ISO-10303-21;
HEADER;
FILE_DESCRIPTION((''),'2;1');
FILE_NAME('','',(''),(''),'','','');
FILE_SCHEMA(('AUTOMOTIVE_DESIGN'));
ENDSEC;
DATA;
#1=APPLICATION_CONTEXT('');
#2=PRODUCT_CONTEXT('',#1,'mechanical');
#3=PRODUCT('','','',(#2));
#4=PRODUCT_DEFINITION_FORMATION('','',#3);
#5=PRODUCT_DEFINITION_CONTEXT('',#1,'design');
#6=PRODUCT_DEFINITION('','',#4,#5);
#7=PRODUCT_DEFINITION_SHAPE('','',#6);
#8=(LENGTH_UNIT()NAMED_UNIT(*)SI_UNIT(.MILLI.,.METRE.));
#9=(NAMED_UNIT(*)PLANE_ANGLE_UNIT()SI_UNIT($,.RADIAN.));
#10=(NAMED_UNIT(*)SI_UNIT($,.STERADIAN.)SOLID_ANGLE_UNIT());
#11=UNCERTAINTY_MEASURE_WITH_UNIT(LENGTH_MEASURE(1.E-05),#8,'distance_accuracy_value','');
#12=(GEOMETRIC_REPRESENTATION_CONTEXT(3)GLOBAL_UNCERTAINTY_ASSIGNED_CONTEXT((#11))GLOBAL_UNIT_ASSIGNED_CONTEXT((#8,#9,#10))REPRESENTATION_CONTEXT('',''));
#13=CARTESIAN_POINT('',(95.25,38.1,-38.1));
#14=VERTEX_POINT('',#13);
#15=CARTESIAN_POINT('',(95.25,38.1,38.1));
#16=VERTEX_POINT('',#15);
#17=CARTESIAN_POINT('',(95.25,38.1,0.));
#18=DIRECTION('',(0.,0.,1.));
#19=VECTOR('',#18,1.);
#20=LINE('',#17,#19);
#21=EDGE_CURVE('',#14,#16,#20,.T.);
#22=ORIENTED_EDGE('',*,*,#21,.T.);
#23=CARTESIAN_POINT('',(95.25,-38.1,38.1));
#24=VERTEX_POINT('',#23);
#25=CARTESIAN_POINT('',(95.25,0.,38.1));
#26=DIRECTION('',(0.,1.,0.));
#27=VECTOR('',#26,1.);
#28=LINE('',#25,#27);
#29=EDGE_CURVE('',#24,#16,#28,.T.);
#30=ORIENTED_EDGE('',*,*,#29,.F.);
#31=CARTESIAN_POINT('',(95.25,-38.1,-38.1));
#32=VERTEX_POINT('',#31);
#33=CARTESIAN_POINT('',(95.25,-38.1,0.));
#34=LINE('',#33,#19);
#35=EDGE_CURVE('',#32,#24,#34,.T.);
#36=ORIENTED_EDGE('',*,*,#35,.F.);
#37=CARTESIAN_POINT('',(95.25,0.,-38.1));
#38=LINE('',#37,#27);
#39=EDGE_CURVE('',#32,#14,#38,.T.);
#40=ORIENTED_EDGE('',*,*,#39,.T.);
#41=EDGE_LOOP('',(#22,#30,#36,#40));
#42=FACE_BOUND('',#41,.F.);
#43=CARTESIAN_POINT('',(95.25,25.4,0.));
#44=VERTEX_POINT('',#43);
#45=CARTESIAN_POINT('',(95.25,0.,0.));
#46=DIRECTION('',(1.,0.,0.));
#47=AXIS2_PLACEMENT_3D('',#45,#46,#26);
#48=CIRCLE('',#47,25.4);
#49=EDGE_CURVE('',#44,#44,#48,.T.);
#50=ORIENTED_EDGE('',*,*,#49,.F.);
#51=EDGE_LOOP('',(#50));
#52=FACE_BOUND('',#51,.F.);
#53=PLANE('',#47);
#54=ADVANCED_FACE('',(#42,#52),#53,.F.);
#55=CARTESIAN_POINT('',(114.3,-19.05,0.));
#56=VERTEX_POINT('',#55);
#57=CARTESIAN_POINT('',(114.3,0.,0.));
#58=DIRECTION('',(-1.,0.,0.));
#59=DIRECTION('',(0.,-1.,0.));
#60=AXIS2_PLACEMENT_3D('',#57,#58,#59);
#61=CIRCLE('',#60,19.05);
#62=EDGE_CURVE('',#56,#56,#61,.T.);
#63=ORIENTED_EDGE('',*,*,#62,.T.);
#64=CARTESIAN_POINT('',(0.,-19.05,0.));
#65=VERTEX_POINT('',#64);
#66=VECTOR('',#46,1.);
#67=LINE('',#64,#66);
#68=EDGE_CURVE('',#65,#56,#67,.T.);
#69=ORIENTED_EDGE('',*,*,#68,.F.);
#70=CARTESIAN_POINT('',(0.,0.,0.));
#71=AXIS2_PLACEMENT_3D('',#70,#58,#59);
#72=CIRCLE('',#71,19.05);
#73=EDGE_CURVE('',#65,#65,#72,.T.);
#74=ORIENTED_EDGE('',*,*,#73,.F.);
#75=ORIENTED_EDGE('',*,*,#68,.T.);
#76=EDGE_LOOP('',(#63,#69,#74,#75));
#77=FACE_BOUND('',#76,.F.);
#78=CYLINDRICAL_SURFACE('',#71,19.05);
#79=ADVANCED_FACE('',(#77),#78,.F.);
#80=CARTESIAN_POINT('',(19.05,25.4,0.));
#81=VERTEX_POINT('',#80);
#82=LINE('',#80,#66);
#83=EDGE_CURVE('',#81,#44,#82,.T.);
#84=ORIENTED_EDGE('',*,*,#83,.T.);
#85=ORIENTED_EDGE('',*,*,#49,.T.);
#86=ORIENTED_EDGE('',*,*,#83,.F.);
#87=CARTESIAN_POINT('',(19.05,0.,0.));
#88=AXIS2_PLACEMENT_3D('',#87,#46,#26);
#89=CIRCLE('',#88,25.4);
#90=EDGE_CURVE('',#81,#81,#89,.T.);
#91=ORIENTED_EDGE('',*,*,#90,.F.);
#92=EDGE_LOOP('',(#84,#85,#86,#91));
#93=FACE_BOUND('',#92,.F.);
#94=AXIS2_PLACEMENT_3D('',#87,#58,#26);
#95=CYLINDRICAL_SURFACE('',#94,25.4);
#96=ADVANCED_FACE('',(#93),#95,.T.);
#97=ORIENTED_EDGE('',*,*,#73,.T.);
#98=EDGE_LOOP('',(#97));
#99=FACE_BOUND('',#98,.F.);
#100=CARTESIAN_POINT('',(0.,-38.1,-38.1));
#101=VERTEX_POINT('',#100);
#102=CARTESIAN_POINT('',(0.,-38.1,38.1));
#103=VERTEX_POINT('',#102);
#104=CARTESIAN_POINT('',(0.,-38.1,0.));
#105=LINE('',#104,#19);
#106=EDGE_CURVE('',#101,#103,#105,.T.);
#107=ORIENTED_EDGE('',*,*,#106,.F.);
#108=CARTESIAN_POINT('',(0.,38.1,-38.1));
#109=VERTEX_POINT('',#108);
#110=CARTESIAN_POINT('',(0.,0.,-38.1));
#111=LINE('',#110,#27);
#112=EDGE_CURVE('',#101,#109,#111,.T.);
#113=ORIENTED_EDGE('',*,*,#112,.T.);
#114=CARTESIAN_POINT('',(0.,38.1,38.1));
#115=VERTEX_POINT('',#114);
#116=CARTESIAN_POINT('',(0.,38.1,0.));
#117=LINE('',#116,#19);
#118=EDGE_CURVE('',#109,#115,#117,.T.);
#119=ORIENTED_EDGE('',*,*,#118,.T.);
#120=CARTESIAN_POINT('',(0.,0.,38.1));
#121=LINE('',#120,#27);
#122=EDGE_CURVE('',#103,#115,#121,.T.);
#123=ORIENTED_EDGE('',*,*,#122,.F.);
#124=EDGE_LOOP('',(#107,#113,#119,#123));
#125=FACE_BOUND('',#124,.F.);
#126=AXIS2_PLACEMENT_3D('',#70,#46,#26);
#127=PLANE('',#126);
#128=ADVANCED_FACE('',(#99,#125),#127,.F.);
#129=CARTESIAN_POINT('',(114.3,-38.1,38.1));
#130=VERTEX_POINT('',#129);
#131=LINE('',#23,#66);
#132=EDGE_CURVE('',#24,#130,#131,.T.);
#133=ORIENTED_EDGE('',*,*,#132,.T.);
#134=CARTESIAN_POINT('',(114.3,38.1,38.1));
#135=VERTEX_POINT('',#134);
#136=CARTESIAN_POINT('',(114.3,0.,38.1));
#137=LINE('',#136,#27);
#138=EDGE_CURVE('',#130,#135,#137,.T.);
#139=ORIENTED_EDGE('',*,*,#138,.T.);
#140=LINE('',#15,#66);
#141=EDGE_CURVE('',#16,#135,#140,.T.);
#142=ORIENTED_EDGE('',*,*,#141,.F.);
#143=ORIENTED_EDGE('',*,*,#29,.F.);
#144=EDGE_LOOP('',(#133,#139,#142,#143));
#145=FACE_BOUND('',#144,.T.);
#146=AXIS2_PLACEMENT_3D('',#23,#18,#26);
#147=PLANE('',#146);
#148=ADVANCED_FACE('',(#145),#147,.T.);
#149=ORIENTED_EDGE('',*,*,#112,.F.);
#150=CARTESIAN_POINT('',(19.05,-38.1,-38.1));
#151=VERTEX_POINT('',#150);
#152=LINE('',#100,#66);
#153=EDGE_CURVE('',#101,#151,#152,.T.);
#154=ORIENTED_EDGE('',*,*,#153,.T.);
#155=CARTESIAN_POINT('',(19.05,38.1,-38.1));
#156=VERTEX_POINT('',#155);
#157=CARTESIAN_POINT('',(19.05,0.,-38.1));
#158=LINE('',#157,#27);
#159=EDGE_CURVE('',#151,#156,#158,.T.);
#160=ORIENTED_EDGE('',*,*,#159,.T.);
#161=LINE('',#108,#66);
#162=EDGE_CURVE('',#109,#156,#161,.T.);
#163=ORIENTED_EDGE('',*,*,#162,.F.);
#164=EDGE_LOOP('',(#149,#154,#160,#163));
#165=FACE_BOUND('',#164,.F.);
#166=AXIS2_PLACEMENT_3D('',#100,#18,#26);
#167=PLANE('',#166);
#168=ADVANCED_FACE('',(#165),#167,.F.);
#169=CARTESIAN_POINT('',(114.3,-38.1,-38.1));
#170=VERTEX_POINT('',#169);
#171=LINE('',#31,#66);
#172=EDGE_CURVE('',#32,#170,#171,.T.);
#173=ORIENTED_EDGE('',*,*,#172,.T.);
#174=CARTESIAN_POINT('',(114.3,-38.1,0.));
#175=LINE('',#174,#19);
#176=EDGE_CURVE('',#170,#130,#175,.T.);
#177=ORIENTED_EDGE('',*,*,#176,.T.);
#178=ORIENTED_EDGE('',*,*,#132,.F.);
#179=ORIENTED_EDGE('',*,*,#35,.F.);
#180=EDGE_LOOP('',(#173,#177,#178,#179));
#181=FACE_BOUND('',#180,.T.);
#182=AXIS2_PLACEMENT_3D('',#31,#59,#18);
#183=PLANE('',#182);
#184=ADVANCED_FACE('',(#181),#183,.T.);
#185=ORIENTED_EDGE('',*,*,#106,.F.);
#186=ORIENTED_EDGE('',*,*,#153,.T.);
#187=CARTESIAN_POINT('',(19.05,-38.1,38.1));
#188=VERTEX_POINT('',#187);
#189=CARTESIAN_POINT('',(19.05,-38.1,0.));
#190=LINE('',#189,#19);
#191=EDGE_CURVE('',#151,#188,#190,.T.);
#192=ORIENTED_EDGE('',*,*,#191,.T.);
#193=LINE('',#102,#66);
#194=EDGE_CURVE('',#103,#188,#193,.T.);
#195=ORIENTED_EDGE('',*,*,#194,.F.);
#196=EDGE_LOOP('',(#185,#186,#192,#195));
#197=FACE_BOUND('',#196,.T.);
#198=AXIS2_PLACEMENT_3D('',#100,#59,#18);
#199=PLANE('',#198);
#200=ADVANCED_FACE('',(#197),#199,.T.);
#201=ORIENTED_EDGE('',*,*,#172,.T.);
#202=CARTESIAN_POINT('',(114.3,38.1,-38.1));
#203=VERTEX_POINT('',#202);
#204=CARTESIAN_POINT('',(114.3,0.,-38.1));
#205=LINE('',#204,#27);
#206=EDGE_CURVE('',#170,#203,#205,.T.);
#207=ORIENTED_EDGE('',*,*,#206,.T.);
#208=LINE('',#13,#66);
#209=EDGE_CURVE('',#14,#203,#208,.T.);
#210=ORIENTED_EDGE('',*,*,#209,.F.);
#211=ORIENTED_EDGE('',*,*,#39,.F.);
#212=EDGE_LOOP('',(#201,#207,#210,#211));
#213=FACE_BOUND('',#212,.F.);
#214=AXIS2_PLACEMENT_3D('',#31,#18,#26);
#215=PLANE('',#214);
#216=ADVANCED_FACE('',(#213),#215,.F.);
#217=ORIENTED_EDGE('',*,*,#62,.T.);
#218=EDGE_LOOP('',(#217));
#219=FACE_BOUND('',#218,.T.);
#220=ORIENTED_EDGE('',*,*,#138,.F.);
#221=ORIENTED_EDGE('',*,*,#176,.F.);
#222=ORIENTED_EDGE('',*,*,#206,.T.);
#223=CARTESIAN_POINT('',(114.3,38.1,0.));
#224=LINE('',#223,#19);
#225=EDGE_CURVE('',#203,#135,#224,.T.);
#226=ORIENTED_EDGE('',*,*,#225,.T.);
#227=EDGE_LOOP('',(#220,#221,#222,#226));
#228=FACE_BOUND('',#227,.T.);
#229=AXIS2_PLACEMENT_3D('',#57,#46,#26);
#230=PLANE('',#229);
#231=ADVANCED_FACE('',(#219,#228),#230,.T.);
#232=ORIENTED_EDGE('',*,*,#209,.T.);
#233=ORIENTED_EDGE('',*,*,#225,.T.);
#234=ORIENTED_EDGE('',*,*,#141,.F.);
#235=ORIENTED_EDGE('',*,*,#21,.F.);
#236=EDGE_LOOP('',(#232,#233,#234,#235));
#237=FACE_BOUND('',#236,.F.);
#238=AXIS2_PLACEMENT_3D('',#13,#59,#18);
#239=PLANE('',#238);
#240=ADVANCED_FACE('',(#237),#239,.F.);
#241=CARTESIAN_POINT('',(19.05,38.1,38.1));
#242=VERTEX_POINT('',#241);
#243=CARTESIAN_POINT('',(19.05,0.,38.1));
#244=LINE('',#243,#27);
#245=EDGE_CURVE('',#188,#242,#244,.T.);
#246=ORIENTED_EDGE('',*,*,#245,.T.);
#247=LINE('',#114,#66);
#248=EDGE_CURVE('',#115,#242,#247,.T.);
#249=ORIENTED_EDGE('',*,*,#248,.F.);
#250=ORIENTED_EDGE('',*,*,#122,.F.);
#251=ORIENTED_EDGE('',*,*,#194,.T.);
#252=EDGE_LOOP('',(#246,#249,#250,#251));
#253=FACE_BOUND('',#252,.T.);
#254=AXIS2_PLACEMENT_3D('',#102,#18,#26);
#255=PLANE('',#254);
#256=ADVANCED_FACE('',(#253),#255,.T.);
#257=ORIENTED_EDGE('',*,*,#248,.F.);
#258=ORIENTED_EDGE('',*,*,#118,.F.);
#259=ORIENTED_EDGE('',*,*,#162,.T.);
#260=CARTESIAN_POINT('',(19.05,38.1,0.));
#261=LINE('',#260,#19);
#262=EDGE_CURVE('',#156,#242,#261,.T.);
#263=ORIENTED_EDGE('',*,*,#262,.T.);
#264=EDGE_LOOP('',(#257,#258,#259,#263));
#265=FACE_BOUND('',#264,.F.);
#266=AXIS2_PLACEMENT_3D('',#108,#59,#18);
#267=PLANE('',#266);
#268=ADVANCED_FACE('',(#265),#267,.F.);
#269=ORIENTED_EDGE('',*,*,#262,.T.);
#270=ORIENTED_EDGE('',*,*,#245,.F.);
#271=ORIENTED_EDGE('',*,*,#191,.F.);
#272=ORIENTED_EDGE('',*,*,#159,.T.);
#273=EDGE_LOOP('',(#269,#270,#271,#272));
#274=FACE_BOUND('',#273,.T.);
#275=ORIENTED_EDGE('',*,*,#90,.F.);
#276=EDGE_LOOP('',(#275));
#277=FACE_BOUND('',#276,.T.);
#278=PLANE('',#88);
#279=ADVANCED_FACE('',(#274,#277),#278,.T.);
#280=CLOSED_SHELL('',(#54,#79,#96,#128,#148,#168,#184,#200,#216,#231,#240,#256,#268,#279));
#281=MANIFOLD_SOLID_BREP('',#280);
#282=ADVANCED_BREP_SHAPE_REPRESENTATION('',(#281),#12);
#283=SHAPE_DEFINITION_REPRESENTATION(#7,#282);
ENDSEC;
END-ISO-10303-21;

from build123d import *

# Parameters (mm, degrees)
F0_W     = 76.2
F0_H     = 76.2
F1_DEPTH = 19.05
F2_R     = 25.4
F3_DEPTH = 76.2
F4_W     = 76.2
F4_H     = 76.2
F4_R     = 25.4
F5_DEPTH = 19.05
F6_R     = 19.05
F7_DEPTH = 114.3


with BuildPart() as f1:
    # F0 (on Right) → F1 (new body)
    with BuildSketch(Plane.YZ):
        Rectangle(F0_W, F0_H)
    extrude(amount=F1_DEPTH)

    # F2 (on face) → F3 (join)
    with BuildSketch(Plane.YZ.offset(19.05)):
        Circle(F2_R)
    extrude(amount=F3_DEPTH)

    # F4 (on face) → F5 (join)
    with BuildSketch(Plane.YZ.offset(95.25)):
        Rectangle(F4_W, F4_H)
        Circle(F4_R, mode=Mode.SUBTRACT)
        Circle(F4_R)
    extrude(amount=F5_DEPTH)

    # F6 (on face) → F7 (cut)
    with BuildSketch(Plane(origin=(0, 0, 0), x_dir=(0, -1, 0), z_dir=(-1, 0, 0))):
        Circle(F6_R)
    extrude(amount=-F7_DEPTH, mode=Mode.SUBTRACT)


solid = f1.part
